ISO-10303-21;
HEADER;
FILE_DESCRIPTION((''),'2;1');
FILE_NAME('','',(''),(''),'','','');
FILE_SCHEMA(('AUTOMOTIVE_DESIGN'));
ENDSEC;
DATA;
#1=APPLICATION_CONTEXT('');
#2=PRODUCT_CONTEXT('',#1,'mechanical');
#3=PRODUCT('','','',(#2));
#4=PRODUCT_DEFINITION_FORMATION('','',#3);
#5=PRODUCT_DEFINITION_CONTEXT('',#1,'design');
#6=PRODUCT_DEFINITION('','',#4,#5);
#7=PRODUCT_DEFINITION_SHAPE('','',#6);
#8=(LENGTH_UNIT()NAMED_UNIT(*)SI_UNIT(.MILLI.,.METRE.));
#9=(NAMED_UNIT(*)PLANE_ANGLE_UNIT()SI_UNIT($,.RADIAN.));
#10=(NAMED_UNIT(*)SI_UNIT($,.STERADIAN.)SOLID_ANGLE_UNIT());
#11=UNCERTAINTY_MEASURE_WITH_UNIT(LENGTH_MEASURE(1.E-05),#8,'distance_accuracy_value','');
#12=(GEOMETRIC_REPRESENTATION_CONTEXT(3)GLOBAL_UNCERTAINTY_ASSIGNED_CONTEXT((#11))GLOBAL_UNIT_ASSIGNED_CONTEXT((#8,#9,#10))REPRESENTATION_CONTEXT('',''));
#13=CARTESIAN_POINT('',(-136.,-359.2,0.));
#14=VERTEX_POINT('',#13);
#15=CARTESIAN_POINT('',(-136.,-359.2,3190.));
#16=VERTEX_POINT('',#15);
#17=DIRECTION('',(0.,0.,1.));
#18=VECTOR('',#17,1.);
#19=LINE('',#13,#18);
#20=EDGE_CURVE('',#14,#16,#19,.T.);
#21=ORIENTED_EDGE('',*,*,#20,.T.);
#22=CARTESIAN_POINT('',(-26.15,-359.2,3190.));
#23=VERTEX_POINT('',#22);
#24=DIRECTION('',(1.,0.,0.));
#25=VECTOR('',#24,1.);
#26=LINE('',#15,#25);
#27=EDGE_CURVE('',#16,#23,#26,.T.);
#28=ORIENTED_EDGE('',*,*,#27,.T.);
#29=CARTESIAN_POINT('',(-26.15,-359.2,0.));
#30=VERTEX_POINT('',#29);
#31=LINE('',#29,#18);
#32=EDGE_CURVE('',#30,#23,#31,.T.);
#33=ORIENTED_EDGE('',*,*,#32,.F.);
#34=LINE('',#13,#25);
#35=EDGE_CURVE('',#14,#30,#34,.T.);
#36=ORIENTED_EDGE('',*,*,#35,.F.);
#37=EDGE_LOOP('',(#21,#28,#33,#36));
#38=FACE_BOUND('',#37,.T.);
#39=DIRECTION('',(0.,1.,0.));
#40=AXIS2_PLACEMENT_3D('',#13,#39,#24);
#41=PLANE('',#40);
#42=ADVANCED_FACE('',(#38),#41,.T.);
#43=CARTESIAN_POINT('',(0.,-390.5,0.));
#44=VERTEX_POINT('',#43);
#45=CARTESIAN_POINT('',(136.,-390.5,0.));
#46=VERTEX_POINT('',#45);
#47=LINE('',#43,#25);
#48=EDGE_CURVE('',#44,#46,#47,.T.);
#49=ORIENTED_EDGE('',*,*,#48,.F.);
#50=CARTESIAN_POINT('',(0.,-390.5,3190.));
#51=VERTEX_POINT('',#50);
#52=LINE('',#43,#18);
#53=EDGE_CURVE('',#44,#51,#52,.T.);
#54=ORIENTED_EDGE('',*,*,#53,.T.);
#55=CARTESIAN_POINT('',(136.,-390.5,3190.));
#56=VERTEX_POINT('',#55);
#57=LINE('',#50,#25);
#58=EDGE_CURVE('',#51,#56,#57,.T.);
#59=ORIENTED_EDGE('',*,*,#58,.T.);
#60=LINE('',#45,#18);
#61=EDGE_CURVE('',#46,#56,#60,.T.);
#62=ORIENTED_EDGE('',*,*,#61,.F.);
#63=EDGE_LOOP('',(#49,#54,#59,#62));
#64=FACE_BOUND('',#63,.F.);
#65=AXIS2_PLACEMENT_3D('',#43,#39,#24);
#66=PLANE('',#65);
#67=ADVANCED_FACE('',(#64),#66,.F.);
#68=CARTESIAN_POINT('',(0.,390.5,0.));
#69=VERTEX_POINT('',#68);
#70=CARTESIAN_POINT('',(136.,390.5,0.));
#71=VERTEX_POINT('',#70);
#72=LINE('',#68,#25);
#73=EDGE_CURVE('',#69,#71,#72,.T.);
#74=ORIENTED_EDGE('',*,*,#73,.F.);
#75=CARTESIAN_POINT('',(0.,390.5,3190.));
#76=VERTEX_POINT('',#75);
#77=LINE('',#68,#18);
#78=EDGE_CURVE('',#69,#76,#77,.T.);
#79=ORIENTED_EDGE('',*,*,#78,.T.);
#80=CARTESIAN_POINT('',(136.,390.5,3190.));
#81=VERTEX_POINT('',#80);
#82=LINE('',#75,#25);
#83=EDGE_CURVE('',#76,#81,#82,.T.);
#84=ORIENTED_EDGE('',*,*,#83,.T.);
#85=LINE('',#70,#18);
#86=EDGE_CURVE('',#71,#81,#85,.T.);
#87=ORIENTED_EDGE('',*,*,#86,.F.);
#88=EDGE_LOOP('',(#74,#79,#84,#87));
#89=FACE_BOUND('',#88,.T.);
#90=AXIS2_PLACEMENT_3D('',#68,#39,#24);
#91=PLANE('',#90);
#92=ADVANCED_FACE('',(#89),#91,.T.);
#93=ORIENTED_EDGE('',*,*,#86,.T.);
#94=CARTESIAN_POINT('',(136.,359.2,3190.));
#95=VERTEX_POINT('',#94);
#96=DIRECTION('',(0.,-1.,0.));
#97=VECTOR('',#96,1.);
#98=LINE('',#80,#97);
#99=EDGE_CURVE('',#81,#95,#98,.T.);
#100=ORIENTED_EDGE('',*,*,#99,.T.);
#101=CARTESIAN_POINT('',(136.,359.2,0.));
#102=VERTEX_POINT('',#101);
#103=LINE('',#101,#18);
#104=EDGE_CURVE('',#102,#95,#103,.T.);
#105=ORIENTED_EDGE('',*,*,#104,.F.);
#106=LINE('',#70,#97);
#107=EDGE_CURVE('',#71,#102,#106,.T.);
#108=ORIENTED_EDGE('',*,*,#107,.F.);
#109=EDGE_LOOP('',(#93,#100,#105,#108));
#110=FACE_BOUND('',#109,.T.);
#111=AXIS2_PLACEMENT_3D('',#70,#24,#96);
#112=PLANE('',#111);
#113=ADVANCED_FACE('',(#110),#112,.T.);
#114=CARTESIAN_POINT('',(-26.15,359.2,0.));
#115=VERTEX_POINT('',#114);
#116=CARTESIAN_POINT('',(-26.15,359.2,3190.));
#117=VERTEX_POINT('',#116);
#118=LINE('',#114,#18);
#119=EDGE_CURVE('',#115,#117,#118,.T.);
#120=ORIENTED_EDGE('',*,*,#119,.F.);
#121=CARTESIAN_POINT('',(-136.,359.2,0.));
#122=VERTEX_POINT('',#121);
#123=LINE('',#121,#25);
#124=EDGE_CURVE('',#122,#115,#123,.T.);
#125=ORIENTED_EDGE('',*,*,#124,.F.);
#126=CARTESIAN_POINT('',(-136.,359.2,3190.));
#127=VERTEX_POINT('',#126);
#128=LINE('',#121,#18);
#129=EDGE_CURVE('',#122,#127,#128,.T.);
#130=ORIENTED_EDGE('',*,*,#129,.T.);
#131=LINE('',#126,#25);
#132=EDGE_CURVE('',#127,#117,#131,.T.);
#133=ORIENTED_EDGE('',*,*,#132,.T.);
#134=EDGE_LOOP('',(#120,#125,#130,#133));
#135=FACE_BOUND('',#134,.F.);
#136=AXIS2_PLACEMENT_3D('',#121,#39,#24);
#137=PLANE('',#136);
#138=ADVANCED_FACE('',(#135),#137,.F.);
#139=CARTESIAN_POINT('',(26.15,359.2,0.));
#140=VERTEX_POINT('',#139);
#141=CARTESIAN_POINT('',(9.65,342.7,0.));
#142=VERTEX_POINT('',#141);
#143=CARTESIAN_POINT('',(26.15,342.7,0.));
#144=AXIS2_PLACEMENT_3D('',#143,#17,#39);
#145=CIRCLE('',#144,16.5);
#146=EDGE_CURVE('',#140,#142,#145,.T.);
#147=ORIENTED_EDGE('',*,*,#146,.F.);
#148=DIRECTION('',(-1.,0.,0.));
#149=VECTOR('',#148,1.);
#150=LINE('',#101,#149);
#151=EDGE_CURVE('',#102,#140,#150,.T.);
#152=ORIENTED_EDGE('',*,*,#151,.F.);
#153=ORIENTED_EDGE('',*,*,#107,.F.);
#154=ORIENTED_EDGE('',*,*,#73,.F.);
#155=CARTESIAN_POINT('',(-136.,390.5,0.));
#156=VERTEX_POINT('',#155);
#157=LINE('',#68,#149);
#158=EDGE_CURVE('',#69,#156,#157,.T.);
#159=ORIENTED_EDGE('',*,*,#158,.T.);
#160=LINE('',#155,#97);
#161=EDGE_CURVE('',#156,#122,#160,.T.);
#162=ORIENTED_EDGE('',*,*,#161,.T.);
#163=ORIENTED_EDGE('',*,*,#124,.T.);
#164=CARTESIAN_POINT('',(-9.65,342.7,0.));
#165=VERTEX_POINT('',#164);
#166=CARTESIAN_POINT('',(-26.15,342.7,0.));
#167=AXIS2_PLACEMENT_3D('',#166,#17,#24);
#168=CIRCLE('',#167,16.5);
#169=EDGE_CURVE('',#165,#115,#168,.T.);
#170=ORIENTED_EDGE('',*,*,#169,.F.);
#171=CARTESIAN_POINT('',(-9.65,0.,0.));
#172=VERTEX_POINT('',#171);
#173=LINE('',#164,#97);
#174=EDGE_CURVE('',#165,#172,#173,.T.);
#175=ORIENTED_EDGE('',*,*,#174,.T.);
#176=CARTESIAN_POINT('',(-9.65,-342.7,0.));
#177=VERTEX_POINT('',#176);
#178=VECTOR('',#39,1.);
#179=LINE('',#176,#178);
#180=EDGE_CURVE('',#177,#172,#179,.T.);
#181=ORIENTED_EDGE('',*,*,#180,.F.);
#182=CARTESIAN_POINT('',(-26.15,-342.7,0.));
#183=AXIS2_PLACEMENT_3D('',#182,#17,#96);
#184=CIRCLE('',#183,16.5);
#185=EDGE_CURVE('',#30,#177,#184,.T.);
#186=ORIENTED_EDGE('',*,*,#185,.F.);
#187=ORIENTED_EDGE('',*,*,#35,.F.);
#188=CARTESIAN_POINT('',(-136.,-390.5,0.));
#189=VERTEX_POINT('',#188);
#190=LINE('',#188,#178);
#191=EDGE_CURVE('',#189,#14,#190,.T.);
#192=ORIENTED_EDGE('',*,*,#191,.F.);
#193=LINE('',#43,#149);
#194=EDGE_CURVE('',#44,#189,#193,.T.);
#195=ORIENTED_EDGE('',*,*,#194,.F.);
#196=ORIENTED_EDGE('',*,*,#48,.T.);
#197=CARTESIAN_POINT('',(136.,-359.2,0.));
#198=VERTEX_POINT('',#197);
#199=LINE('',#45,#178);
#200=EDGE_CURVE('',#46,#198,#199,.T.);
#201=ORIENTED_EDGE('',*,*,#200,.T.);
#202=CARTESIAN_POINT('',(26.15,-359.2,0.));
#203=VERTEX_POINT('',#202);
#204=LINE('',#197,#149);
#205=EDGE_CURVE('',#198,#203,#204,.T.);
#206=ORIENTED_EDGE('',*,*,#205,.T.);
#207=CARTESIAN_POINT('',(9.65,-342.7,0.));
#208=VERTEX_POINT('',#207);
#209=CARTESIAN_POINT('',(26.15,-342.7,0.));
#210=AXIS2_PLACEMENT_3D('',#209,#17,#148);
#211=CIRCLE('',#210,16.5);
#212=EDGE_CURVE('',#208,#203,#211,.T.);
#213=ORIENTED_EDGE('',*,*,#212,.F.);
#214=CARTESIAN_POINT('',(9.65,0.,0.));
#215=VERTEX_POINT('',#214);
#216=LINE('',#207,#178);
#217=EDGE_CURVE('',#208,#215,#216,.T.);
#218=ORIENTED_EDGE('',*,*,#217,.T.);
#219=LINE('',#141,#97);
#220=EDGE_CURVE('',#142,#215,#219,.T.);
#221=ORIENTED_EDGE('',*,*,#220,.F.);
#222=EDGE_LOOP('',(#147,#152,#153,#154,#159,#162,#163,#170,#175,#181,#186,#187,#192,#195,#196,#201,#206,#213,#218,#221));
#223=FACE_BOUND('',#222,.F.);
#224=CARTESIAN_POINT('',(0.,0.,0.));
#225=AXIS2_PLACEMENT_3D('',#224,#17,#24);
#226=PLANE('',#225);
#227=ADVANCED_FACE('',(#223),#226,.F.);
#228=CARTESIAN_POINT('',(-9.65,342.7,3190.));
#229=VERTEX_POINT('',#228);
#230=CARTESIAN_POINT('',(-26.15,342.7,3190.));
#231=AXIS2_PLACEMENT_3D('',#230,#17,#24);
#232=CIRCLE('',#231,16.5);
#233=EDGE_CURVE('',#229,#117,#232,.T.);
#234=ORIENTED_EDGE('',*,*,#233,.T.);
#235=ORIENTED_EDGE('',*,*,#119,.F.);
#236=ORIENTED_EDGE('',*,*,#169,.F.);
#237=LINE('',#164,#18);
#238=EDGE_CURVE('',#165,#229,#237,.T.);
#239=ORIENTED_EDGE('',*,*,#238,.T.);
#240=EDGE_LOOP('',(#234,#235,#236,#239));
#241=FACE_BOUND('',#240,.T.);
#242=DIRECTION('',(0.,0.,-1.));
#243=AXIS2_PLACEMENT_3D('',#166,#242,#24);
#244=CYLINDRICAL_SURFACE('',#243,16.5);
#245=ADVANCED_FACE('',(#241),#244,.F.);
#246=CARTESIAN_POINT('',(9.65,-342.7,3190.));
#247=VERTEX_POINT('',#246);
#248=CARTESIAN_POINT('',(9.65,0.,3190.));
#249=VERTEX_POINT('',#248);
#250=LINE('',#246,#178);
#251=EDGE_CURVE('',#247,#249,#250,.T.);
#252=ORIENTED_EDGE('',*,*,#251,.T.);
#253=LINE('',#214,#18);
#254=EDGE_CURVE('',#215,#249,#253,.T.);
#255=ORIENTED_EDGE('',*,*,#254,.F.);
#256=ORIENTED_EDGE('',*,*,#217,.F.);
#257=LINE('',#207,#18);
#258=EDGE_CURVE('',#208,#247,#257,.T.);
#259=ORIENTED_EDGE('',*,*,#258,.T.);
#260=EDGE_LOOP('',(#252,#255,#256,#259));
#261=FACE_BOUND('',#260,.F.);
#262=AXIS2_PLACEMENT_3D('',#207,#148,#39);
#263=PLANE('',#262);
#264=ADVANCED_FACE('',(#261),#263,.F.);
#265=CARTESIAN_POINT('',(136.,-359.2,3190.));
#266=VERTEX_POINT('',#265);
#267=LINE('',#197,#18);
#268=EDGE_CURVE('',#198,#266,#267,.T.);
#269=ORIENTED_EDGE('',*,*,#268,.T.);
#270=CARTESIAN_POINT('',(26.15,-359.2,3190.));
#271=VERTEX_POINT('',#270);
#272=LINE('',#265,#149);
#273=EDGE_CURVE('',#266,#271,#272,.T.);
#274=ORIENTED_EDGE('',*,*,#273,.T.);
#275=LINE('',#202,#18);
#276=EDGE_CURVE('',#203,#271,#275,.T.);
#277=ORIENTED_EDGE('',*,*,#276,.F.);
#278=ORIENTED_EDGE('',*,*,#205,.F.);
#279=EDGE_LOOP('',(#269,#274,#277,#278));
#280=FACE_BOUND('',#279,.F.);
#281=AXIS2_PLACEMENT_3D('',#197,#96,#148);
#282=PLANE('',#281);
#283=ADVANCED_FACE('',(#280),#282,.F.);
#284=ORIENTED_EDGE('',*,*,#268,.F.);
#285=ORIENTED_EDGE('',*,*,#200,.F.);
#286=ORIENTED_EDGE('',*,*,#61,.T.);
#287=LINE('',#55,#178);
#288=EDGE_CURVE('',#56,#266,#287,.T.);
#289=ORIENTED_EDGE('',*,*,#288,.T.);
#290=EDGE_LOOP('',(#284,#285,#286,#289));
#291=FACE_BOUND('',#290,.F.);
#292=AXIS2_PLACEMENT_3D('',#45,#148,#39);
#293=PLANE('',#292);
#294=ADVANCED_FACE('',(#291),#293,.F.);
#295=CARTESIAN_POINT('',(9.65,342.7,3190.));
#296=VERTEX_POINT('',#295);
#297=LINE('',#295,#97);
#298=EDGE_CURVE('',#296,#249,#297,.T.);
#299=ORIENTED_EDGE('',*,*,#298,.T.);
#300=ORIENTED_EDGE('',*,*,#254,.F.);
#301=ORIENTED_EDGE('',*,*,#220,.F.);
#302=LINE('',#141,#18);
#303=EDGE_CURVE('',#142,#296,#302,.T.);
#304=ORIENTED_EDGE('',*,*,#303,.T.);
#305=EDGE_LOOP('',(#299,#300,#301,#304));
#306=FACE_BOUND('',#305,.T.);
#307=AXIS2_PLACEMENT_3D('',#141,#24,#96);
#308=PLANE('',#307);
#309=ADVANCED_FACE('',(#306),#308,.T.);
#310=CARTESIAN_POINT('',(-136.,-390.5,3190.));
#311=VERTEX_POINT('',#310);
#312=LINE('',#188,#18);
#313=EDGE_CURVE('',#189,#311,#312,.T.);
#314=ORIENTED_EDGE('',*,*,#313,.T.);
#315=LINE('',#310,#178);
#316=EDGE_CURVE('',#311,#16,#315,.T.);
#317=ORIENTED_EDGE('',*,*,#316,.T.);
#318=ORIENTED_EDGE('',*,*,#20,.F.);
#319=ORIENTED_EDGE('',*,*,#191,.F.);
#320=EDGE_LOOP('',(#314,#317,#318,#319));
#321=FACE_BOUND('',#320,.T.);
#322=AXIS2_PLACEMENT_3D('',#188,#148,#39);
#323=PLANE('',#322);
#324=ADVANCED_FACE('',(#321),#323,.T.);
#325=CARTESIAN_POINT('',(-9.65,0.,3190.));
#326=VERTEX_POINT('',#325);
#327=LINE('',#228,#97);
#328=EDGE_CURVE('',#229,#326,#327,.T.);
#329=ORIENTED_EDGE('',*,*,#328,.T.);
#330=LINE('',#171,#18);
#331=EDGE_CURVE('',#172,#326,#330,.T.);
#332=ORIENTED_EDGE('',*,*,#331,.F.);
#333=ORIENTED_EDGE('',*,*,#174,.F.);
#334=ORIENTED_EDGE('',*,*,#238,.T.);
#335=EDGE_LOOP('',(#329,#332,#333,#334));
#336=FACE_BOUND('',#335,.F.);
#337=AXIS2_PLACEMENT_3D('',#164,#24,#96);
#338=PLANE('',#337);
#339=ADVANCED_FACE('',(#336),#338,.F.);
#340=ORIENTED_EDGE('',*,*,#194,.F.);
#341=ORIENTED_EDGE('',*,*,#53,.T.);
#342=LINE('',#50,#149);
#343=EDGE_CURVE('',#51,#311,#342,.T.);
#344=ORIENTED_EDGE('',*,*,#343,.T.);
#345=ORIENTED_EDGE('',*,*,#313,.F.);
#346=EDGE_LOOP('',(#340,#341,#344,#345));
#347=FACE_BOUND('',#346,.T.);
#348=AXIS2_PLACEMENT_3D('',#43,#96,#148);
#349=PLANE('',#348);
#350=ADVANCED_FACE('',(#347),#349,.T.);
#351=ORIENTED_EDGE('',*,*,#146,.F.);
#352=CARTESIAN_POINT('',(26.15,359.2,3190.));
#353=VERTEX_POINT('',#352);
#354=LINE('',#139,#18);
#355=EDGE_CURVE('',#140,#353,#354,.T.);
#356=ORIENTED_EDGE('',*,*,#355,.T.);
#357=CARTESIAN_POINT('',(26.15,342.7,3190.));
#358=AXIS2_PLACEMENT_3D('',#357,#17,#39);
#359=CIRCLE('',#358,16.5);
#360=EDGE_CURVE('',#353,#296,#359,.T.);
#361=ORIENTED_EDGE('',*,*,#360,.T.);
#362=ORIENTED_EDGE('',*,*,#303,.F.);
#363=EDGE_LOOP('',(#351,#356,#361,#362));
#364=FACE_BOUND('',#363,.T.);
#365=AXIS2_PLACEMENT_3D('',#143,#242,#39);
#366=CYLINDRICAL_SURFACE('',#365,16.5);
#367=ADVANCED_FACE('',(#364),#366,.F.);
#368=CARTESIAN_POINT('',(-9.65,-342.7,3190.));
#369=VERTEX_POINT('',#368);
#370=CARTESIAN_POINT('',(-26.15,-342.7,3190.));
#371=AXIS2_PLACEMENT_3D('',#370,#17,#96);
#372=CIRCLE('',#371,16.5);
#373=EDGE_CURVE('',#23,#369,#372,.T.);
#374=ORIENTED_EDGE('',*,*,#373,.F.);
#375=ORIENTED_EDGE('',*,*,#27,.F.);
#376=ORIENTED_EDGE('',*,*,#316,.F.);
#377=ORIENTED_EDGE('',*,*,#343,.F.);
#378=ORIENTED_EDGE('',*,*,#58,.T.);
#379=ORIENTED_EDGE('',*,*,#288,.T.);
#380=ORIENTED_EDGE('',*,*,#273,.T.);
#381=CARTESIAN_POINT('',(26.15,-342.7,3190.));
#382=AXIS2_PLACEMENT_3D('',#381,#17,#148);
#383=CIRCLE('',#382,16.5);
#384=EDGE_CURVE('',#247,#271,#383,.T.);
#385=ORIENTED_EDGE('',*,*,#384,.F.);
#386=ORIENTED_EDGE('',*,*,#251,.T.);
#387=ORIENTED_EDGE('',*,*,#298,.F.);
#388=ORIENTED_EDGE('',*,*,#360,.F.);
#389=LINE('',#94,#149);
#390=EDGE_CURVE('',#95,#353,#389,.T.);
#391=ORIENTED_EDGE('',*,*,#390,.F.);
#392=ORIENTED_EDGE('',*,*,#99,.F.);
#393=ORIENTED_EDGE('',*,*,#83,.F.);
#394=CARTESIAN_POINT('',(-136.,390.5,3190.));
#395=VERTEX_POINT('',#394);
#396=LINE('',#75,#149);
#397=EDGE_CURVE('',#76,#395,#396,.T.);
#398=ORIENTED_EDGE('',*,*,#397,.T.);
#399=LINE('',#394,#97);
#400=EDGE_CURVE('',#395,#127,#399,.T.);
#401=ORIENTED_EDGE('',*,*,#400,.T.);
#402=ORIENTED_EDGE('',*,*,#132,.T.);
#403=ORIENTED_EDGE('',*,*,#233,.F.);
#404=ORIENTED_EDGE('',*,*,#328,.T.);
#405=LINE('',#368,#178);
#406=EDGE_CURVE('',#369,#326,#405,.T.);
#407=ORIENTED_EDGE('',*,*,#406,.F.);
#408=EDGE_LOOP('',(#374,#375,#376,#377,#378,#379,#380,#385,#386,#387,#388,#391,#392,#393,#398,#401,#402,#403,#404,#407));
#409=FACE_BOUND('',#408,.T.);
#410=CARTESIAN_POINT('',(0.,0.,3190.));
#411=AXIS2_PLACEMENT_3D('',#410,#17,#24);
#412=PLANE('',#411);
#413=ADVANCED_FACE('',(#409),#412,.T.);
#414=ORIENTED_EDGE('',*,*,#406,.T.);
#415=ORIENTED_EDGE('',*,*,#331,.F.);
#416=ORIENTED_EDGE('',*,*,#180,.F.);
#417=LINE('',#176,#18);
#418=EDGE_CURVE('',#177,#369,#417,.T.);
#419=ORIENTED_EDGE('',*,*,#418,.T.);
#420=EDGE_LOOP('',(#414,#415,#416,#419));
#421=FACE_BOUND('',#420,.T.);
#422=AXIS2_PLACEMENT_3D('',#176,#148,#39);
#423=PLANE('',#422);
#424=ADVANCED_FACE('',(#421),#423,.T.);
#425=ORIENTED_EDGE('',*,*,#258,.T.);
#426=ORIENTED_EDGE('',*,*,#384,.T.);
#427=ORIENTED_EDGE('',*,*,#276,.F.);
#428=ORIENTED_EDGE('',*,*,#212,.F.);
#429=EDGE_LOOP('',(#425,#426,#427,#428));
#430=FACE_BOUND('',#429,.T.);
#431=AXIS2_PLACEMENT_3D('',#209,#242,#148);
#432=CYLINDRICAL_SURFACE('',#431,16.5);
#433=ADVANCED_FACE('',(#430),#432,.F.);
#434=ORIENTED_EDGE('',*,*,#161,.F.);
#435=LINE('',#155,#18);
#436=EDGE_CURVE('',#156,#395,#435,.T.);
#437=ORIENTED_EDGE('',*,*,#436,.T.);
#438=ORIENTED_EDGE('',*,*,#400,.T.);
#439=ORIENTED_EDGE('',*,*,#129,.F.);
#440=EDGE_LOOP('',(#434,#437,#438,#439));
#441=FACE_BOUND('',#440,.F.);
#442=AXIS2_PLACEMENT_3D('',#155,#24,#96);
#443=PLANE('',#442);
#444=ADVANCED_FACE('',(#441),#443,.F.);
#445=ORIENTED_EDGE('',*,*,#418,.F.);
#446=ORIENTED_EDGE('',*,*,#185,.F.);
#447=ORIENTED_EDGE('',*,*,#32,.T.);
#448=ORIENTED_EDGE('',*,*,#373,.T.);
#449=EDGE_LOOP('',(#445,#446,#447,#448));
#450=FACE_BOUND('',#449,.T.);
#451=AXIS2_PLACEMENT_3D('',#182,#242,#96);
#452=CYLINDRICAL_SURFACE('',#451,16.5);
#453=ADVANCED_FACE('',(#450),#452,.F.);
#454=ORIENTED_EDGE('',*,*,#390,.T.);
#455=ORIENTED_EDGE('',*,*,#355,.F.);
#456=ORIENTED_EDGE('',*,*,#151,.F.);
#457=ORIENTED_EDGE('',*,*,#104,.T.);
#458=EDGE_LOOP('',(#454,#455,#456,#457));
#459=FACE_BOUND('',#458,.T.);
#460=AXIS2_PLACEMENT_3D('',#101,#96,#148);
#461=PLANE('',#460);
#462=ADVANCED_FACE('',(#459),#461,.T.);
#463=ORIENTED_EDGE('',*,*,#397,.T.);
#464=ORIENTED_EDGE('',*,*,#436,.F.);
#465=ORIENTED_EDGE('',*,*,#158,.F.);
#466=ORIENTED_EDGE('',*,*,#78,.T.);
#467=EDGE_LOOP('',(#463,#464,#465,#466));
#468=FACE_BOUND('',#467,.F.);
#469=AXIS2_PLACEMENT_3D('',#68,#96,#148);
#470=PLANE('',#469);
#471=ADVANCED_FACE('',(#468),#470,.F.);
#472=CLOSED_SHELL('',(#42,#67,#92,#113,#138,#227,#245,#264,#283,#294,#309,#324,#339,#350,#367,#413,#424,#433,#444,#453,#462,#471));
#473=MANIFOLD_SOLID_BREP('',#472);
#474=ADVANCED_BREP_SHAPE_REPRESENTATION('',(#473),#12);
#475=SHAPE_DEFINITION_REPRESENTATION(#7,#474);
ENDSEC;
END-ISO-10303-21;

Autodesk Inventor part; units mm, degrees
ref_plane "YZ Plane" through (0, 0, 0) normal (1, 0, 0) x (0, 1, 0)
ref_plane "Start plane" through (0, 0, 0) normal (0, 0, 1) x (1, 0, 0)
ref_plane "End plane" through (0, 0, 3190) normal (0, 0, 1) x (1, 0, 0)
sketch "Sketch" plane through (0, 0, 0) normal (0, 0, 1) x (1, 0, 0)
  line L0 (-136, -390.5) -> (-136, -359.2)
  line L1 (-136, -359.2) -> (-26.15, -359.2)
  line L2 (-9.65, -342.7) -> (-9.65, 0)
  line L3 (-9.65, 0) -> (0, 0) construction
  line L4 (0, 0) -> (0, -390.5) construction
  line L5 (0, -390.5) -> (-136, -390.5)
  line L6 (-60, 0) -> (80, 0) construction
  line L7 (0, -60) -> (0, 80) construction
  line L8 (136, -390.5) -> (136, -359.2)
  line L9 (136, -359.2) -> (26.15, -359.2)
  line L10 (9.65, -342.7) -> (9.65, 0)
  line L11 (9.65, 0) -> (0, 0) construction
  line L12 (0, -390.5) -> (136, -390.5)
  line L13 (-136, 390.5) -> (-136, 359.2)
  line L14 (-136, 359.2) -> (-26.15, 359.2)
  line L15 (-9.65, 342.7) -> (-9.65, 0)
  line L16 (0, 390.5) -> (-136, 390.5)
  line L17 (136, 390.5) -> (136, 359.2)
  line L18 (136, 359.2) -> (26.15, 359.2)
  line L19 (0, 390.5) -> (136, 390.5)
  line L20 (9.65, 342.7) -> (9.65, 0)
  arc A0 (-9.65, 342.7) -> (-26.15, 359.2) centre (-26.15, 342.7) ccw
  arc A1 (26.15, 359.2) -> (9.65, 342.7) centre (26.15, 342.7) ccw
  arc A2 (9.65, -342.7) -> (26.15, -359.2) centre (26.15, -342.7) ccw
  arc A3 (-26.15, -359.2) -> (-9.65, -342.7) centre (-26.15, -342.7) ccw
  line L21 (0, 108) -> (0, -88) construction
  line L22 (-88, 0) -> (108, 0) construction
  point P0 (-9.65, -359.2)
  point P1 (9.65, -359.2)
  point P2 (-9.65, 359.2)
  point P3 (9.65, 359.2)
  dimension "d1" = 390.5
  dimension "d2" = 31.3
  dimension "d3" = 136
  dimension "d4" = 9.65
  dimension "d10" = 16.5
extrude "Body" add sketch "Sketch" along normal up to surface (3190 mm away) from surface at 0
sketch "Sketch4" plane through (0, 0, 0) normal (0, 0, 1) x (1, 0, 0)
  line L0 (0, 0) -> (10, 0)
ref_plane "Work Plane3" through (0, 0, 0) normal (0, -1, 0) x (1, 0, 0)
sketch "Sketch5" plane through (0, 0, 0) normal (0, -1, 0) x (1, 0, 0)
  line L0 (-2, 0) -> (12, 0) projected
  line L1 (-2, 3190) -> (12, 3190) projected
  dimension "d14" = 3190
equation "\"d1\" = 0.5 * G_H"
equation "\"d2\" = G_T1"
equation "\"d3\" = 0.5 * G_W"
equation "\"d4\" = 0.5 * G_T"
equation "\"d10\" = G_IR"
equation "\"d5\" = G_L"
equation "\"G_W\" = 272"
equation "\"G_H\" = 781"
equation "\"G_T\" = 19.3"
equation "\"G_T1\" = 31.3"
equation "\"G_IR\" = 16.5"
equation "\"G_L\" = d14"
equation "\"G_OFFSET_START\" = 0"
equation "\"G_OFFSET_END\" = 0"
properties part number "AS 3679-1990 - 760 UB - 244 - 3190" material "Steel, Mild"
